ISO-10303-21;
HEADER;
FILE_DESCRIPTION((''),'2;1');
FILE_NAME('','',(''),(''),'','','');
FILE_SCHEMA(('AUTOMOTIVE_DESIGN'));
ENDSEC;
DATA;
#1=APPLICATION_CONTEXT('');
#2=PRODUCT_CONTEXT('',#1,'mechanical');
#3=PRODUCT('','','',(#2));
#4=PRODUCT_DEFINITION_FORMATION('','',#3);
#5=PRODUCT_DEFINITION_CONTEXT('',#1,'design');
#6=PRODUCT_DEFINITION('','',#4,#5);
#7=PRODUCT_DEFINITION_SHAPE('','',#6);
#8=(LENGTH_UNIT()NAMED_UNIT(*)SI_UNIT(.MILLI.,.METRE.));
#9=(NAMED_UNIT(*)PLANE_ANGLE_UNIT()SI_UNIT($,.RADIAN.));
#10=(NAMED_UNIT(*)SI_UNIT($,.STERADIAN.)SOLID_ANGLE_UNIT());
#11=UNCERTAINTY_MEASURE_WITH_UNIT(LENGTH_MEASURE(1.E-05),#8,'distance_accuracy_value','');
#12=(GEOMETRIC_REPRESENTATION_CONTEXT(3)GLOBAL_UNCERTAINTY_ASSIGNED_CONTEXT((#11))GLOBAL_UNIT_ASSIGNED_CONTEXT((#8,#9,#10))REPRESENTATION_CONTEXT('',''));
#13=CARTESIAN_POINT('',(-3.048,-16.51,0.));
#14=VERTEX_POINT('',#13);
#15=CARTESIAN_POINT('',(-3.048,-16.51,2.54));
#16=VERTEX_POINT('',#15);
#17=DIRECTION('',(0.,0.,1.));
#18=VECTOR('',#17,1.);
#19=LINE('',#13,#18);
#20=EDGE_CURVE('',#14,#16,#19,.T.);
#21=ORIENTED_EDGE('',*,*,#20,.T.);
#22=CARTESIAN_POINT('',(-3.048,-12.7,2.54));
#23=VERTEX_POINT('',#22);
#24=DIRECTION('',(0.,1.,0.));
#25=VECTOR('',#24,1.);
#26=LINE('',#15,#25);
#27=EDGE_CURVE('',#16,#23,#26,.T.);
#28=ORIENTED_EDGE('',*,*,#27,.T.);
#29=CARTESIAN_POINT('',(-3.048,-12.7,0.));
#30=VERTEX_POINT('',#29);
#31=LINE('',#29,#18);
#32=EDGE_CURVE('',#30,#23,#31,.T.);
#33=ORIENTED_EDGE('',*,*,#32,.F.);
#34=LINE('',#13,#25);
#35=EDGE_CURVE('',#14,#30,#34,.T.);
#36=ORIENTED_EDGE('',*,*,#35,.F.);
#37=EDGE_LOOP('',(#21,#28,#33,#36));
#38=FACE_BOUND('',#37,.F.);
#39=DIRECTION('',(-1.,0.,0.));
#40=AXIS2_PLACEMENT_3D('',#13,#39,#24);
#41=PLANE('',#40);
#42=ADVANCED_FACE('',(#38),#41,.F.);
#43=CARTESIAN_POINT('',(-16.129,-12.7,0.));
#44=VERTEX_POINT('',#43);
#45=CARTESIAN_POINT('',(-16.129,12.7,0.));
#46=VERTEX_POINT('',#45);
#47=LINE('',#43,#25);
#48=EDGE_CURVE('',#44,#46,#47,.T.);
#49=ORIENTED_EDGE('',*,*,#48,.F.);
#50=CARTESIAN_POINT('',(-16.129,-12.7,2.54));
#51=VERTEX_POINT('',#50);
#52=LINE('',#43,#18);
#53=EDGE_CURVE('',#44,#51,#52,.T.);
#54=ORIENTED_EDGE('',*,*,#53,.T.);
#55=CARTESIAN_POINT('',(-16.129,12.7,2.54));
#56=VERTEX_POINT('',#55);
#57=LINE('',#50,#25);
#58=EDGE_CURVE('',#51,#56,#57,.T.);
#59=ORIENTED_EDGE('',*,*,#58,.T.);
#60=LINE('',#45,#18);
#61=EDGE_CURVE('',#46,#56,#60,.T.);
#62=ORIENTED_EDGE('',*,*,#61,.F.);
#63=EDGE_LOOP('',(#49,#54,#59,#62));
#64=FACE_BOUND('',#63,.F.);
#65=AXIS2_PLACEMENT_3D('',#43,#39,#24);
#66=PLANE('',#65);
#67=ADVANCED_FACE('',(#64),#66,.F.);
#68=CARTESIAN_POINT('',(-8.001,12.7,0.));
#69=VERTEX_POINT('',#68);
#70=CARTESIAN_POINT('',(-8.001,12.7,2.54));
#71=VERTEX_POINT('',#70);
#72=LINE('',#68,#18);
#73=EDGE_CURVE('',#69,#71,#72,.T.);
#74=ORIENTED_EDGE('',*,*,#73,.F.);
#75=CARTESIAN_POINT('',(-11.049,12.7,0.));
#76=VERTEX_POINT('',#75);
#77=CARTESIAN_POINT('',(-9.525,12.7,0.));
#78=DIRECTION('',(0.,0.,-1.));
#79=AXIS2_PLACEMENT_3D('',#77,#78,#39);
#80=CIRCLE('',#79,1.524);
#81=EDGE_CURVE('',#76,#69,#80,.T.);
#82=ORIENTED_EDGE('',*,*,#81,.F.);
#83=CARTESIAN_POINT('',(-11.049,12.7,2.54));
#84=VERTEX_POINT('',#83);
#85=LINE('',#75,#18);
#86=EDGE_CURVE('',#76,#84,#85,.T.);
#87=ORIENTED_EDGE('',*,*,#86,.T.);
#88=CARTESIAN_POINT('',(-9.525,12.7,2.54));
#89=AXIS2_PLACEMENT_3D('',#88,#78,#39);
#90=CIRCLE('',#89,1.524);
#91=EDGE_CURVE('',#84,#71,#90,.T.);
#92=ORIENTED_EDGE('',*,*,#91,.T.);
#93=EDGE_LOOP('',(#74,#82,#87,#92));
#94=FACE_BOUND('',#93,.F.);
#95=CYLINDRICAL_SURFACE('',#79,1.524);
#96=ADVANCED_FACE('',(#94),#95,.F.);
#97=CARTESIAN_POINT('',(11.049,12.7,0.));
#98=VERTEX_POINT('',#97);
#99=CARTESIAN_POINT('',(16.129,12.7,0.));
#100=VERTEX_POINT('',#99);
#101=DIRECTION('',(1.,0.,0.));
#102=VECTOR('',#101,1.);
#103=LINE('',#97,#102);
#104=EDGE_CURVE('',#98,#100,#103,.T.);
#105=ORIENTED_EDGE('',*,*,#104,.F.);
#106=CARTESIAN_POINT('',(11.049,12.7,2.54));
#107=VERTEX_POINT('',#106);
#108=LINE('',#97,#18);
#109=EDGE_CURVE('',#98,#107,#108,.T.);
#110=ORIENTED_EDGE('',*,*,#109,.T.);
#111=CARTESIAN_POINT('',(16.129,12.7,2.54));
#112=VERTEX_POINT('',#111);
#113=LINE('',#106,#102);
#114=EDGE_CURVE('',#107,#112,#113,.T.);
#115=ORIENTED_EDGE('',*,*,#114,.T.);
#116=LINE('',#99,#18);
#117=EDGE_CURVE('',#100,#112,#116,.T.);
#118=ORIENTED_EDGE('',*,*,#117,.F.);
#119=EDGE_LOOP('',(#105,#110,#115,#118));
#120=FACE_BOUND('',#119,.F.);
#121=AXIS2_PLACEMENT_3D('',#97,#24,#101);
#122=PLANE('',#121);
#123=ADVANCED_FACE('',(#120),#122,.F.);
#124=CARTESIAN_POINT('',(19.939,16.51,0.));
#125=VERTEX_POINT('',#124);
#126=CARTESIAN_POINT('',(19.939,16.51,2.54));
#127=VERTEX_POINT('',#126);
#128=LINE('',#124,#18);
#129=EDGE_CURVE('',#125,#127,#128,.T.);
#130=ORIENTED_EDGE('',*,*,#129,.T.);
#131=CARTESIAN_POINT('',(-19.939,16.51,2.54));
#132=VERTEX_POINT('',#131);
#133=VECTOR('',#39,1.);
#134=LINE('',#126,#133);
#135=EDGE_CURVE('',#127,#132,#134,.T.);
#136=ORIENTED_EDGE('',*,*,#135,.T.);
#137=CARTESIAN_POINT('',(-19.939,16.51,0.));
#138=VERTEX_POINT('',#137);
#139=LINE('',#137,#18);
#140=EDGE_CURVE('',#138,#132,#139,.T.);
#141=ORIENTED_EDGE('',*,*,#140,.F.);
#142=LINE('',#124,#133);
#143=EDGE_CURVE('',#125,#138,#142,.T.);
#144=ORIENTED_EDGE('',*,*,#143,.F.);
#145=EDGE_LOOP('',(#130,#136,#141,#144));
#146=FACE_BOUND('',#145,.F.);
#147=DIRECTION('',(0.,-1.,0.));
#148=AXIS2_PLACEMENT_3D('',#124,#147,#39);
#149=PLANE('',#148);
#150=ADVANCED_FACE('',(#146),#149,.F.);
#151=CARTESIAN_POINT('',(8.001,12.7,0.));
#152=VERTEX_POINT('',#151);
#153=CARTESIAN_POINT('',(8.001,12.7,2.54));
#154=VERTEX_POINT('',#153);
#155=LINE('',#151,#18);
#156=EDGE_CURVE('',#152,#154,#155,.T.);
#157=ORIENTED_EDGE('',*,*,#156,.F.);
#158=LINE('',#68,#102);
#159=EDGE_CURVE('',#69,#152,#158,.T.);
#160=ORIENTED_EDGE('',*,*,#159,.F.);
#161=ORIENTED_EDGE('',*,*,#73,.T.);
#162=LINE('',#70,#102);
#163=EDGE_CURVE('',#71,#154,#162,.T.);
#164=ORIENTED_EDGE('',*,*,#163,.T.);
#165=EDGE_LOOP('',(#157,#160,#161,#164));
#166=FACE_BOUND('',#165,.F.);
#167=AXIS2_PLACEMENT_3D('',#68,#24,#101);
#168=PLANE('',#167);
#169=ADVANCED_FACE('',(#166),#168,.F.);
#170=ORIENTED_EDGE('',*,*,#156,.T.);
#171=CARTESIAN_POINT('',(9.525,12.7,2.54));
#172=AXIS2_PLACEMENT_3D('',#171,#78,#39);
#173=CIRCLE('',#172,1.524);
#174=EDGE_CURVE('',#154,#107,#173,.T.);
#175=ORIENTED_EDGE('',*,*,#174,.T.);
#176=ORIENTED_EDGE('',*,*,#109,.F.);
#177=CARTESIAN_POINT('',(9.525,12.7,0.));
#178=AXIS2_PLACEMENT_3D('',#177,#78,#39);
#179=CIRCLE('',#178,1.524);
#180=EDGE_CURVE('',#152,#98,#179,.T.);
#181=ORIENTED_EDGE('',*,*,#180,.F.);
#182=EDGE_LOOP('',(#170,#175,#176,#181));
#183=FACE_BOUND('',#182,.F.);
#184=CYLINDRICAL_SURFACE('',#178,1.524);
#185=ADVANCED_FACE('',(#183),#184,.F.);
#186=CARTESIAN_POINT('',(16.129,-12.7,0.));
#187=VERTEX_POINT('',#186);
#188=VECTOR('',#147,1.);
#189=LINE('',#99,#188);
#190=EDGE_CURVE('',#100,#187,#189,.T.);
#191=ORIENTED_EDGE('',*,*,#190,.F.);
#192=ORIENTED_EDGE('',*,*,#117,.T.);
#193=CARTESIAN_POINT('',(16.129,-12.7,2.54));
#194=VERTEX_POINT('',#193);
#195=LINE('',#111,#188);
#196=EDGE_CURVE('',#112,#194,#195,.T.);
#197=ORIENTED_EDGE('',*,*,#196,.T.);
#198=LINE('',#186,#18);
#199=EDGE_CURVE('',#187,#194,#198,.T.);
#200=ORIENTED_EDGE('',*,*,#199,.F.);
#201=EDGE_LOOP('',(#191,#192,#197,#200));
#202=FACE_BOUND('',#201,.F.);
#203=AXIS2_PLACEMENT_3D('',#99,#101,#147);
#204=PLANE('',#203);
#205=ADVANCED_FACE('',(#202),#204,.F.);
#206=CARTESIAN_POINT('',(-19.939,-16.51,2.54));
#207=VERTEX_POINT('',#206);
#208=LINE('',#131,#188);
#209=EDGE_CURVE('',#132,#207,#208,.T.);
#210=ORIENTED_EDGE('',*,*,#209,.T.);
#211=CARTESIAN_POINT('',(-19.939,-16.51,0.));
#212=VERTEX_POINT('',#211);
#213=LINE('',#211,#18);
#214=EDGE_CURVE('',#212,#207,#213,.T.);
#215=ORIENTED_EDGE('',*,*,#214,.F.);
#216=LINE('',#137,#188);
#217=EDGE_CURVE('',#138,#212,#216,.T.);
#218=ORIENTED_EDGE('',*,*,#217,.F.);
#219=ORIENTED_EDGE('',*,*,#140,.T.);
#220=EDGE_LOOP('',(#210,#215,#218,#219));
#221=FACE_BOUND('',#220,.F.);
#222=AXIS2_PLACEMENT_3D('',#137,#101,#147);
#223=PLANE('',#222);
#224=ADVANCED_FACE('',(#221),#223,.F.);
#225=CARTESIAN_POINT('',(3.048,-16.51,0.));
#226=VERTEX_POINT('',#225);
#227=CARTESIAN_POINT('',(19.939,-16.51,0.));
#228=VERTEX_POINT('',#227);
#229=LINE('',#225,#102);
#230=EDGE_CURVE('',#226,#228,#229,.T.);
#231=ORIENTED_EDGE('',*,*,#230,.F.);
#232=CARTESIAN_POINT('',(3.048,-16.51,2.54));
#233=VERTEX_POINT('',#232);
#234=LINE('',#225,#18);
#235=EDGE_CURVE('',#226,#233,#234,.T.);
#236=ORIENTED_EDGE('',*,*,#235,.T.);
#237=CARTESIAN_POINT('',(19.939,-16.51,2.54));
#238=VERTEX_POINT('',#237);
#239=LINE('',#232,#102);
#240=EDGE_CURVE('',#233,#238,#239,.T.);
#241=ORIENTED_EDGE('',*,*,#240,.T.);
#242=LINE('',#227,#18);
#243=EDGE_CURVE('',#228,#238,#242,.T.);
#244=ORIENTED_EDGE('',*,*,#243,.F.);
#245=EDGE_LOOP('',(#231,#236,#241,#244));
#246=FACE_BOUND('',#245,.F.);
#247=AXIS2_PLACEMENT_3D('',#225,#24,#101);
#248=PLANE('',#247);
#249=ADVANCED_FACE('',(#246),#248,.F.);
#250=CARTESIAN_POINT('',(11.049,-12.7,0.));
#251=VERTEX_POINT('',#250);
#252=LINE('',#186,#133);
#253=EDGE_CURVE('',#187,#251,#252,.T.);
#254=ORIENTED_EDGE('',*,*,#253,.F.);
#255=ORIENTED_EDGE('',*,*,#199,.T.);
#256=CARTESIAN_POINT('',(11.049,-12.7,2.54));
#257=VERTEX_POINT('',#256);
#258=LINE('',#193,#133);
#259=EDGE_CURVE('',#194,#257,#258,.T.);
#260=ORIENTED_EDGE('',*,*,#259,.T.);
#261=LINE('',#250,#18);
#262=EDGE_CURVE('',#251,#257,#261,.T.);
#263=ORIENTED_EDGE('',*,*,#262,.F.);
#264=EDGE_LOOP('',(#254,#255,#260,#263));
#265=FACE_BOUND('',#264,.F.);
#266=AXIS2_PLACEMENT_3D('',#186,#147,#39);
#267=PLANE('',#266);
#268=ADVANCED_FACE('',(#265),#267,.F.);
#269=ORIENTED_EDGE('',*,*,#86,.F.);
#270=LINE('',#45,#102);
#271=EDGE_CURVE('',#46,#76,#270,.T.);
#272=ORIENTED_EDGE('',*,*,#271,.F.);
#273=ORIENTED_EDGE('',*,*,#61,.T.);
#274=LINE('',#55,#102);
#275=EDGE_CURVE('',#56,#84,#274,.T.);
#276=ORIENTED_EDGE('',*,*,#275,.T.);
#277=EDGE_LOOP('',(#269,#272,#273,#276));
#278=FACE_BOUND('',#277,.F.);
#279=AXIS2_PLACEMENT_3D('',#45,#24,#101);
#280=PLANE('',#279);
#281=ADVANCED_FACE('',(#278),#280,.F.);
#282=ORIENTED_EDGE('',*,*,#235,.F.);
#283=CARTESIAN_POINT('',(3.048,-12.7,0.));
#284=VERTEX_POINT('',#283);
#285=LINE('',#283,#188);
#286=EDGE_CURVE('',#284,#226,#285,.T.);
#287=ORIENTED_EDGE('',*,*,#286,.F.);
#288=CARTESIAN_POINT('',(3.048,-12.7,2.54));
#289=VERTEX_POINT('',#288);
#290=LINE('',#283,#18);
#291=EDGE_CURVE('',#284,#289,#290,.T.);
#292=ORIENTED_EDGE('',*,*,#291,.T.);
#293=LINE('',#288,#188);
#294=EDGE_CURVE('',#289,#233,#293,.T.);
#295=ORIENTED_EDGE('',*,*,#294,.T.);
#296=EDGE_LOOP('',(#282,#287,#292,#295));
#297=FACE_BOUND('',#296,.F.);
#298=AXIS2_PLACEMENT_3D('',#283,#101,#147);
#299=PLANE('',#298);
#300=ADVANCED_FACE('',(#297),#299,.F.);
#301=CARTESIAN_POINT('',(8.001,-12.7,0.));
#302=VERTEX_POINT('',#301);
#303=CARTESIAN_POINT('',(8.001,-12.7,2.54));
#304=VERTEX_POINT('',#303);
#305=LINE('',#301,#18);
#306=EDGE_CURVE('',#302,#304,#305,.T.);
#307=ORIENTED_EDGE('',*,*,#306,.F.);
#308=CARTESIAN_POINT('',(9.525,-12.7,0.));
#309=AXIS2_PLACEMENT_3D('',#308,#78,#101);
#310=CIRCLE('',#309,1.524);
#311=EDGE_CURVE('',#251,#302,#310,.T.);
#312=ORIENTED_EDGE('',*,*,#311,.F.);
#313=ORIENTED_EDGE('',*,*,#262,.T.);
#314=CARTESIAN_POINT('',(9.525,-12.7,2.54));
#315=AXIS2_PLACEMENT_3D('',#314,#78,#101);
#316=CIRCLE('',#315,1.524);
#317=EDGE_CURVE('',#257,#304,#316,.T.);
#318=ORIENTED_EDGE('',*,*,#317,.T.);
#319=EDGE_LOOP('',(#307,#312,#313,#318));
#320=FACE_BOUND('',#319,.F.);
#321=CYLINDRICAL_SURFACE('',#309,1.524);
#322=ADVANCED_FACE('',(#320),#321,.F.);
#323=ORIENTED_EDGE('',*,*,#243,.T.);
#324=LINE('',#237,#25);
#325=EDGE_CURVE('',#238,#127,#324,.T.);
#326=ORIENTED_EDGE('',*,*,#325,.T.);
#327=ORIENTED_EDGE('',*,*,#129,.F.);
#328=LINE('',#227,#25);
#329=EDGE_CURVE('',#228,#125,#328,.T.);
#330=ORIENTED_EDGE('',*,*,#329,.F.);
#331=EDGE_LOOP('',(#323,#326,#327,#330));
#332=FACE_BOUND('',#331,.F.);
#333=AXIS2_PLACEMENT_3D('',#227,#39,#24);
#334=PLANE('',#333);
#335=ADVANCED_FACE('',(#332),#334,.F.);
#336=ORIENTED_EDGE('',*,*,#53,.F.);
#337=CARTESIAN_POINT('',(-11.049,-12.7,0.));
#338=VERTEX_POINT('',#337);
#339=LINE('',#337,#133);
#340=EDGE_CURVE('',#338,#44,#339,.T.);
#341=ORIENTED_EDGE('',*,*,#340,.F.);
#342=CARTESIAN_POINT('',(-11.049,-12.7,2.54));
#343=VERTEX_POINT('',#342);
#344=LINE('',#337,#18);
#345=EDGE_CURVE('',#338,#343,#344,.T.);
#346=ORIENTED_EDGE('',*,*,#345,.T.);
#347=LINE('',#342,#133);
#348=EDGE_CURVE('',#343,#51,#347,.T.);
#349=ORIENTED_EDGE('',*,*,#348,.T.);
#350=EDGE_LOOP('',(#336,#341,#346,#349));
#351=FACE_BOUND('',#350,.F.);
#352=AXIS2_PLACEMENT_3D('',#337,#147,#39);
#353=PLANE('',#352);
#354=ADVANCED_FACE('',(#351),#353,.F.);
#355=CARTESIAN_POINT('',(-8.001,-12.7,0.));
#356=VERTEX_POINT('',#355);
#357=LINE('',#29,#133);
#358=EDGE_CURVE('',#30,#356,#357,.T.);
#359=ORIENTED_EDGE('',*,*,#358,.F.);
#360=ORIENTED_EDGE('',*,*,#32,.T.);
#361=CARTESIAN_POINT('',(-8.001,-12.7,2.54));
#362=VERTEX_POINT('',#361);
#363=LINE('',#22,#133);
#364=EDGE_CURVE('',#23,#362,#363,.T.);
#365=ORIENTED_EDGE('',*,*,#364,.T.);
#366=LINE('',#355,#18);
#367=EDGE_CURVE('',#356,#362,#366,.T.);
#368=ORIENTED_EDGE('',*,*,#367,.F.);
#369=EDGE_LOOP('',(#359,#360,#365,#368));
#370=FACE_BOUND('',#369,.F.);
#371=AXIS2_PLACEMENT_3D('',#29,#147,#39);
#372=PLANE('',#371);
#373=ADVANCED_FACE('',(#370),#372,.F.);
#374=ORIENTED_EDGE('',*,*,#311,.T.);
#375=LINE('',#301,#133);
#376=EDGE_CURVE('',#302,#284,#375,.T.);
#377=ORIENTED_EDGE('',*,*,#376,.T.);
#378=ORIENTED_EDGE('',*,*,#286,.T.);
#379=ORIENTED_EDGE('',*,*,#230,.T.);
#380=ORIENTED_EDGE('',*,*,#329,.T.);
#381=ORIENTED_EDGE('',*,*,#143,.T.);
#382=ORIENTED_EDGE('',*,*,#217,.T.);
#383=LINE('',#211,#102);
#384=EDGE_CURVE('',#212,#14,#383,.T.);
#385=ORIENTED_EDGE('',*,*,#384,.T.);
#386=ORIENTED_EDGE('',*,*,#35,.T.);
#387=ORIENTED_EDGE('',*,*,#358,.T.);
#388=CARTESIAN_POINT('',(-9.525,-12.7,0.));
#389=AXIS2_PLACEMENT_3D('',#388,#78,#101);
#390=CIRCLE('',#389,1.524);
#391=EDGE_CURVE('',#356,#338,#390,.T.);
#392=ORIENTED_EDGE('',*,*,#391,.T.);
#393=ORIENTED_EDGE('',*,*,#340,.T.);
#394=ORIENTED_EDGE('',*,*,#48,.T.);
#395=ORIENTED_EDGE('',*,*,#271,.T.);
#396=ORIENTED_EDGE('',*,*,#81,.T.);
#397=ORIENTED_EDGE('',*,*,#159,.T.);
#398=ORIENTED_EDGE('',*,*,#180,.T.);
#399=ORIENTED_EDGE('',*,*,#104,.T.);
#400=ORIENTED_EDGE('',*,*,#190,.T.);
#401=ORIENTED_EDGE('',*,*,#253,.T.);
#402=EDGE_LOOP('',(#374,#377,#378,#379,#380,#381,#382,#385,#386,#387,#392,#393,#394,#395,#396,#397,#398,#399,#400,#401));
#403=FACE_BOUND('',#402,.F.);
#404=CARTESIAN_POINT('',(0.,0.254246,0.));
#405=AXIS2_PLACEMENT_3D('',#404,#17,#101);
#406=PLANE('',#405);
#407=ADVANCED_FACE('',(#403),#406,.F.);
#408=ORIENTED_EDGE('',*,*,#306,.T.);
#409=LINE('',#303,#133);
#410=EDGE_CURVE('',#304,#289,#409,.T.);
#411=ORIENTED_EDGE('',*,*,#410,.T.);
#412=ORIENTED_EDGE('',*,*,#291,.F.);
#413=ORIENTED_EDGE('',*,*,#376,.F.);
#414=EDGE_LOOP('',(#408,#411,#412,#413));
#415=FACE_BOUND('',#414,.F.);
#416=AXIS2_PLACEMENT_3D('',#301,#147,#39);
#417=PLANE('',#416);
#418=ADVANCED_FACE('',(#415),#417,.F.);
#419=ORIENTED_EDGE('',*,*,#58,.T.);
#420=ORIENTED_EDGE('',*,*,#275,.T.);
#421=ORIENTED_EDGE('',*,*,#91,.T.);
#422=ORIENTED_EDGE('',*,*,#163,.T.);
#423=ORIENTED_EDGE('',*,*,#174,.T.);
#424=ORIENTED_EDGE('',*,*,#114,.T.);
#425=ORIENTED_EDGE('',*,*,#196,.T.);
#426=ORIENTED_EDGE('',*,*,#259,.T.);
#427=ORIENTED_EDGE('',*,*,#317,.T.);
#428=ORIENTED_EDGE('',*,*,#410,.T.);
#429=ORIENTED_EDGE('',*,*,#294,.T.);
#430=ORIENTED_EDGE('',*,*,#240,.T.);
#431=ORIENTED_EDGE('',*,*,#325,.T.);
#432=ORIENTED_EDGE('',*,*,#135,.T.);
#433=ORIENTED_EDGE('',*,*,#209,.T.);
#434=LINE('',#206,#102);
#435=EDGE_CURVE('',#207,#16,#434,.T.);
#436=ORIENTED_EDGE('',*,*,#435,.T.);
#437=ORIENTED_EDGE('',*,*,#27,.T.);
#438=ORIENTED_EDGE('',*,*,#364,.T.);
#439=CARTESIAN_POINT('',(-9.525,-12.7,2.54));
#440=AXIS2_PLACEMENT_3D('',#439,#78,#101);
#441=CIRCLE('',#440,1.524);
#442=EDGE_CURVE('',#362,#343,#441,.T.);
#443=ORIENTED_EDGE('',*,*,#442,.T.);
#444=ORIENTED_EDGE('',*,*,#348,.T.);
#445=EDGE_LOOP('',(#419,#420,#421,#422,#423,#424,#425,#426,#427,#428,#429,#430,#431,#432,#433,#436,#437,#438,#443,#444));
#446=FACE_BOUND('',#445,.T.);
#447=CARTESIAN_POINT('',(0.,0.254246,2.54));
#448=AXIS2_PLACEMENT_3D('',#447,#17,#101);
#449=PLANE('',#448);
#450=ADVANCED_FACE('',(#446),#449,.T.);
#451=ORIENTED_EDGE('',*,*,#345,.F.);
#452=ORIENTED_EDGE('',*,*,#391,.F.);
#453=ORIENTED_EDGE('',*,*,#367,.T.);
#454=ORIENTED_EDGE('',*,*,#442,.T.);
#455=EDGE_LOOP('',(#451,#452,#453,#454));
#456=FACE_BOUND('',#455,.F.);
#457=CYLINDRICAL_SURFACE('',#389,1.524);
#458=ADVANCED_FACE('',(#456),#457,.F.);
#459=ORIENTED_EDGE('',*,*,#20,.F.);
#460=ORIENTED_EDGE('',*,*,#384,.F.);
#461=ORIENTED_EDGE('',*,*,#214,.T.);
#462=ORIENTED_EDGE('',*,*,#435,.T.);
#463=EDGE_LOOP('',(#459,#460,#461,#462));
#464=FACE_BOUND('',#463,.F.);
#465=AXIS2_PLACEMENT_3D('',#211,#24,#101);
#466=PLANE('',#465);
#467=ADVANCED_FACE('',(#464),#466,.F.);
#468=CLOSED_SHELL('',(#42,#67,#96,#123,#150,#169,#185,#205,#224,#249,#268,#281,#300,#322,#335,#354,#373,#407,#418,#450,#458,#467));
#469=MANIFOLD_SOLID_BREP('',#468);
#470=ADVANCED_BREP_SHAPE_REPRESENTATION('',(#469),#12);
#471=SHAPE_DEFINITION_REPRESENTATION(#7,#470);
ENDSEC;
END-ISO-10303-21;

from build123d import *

# Parameters (mm, degrees)
F1_DEPTH = 2.54


with BuildPart() as f1:
    # F0 (on Top) → F1 (new body)
    with BuildSketch(Plane.XY):
        with BuildLine():
            Line((19.939, 16.51), (-19.939, 16.51))
            Line((-19.939, 16.51), (-19.939, -16.51))
            Line((-19.939, -16.51), (-3.048, -16.51))
            Line((-3.048, -16.51), (-3.048, -12.7))
            Line((-3.048, -12.7), (-8.001, -12.7))
            ThreePointArc((-8.001, -12.7), (-9.525, -14.224), (-11.049, -12.7))
            Line((-11.049, -12.7), (-16.129, -12.7))
            Line((-16.129, -12.7), (-16.129, 12.7))
            Line((-16.129, 12.7), (-11.049, 12.7))
            ThreePointArc((-11.049, 12.7), (-9.525, 14.224), (-8.001, 12.7))
            Line((-8.001, 12.7), (8.001, 12.7))
            ThreePointArc((8.001, 12.7), (9.525, 14.224), (11.049, 12.7))
            Line((11.049, 12.7), (16.129, 12.7))
            Line((16.129, 12.7), (16.129, -12.7))
            Line((16.129, -12.7), (11.049, -12.7))
            ThreePointArc((11.049, -12.7), (9.525, -14.224), (8.001, -12.7))
            Line((8.001, -12.7), (3.048, -12.7))
            Line((3.048, -12.7), (3.048, -16.51))
            Line((3.048, -16.51), (19.939, -16.51))
            Line((19.939, -16.51), (19.939, 16.51))
        make_face()
    extrude(amount=F1_DEPTH)


solid = f1.part
